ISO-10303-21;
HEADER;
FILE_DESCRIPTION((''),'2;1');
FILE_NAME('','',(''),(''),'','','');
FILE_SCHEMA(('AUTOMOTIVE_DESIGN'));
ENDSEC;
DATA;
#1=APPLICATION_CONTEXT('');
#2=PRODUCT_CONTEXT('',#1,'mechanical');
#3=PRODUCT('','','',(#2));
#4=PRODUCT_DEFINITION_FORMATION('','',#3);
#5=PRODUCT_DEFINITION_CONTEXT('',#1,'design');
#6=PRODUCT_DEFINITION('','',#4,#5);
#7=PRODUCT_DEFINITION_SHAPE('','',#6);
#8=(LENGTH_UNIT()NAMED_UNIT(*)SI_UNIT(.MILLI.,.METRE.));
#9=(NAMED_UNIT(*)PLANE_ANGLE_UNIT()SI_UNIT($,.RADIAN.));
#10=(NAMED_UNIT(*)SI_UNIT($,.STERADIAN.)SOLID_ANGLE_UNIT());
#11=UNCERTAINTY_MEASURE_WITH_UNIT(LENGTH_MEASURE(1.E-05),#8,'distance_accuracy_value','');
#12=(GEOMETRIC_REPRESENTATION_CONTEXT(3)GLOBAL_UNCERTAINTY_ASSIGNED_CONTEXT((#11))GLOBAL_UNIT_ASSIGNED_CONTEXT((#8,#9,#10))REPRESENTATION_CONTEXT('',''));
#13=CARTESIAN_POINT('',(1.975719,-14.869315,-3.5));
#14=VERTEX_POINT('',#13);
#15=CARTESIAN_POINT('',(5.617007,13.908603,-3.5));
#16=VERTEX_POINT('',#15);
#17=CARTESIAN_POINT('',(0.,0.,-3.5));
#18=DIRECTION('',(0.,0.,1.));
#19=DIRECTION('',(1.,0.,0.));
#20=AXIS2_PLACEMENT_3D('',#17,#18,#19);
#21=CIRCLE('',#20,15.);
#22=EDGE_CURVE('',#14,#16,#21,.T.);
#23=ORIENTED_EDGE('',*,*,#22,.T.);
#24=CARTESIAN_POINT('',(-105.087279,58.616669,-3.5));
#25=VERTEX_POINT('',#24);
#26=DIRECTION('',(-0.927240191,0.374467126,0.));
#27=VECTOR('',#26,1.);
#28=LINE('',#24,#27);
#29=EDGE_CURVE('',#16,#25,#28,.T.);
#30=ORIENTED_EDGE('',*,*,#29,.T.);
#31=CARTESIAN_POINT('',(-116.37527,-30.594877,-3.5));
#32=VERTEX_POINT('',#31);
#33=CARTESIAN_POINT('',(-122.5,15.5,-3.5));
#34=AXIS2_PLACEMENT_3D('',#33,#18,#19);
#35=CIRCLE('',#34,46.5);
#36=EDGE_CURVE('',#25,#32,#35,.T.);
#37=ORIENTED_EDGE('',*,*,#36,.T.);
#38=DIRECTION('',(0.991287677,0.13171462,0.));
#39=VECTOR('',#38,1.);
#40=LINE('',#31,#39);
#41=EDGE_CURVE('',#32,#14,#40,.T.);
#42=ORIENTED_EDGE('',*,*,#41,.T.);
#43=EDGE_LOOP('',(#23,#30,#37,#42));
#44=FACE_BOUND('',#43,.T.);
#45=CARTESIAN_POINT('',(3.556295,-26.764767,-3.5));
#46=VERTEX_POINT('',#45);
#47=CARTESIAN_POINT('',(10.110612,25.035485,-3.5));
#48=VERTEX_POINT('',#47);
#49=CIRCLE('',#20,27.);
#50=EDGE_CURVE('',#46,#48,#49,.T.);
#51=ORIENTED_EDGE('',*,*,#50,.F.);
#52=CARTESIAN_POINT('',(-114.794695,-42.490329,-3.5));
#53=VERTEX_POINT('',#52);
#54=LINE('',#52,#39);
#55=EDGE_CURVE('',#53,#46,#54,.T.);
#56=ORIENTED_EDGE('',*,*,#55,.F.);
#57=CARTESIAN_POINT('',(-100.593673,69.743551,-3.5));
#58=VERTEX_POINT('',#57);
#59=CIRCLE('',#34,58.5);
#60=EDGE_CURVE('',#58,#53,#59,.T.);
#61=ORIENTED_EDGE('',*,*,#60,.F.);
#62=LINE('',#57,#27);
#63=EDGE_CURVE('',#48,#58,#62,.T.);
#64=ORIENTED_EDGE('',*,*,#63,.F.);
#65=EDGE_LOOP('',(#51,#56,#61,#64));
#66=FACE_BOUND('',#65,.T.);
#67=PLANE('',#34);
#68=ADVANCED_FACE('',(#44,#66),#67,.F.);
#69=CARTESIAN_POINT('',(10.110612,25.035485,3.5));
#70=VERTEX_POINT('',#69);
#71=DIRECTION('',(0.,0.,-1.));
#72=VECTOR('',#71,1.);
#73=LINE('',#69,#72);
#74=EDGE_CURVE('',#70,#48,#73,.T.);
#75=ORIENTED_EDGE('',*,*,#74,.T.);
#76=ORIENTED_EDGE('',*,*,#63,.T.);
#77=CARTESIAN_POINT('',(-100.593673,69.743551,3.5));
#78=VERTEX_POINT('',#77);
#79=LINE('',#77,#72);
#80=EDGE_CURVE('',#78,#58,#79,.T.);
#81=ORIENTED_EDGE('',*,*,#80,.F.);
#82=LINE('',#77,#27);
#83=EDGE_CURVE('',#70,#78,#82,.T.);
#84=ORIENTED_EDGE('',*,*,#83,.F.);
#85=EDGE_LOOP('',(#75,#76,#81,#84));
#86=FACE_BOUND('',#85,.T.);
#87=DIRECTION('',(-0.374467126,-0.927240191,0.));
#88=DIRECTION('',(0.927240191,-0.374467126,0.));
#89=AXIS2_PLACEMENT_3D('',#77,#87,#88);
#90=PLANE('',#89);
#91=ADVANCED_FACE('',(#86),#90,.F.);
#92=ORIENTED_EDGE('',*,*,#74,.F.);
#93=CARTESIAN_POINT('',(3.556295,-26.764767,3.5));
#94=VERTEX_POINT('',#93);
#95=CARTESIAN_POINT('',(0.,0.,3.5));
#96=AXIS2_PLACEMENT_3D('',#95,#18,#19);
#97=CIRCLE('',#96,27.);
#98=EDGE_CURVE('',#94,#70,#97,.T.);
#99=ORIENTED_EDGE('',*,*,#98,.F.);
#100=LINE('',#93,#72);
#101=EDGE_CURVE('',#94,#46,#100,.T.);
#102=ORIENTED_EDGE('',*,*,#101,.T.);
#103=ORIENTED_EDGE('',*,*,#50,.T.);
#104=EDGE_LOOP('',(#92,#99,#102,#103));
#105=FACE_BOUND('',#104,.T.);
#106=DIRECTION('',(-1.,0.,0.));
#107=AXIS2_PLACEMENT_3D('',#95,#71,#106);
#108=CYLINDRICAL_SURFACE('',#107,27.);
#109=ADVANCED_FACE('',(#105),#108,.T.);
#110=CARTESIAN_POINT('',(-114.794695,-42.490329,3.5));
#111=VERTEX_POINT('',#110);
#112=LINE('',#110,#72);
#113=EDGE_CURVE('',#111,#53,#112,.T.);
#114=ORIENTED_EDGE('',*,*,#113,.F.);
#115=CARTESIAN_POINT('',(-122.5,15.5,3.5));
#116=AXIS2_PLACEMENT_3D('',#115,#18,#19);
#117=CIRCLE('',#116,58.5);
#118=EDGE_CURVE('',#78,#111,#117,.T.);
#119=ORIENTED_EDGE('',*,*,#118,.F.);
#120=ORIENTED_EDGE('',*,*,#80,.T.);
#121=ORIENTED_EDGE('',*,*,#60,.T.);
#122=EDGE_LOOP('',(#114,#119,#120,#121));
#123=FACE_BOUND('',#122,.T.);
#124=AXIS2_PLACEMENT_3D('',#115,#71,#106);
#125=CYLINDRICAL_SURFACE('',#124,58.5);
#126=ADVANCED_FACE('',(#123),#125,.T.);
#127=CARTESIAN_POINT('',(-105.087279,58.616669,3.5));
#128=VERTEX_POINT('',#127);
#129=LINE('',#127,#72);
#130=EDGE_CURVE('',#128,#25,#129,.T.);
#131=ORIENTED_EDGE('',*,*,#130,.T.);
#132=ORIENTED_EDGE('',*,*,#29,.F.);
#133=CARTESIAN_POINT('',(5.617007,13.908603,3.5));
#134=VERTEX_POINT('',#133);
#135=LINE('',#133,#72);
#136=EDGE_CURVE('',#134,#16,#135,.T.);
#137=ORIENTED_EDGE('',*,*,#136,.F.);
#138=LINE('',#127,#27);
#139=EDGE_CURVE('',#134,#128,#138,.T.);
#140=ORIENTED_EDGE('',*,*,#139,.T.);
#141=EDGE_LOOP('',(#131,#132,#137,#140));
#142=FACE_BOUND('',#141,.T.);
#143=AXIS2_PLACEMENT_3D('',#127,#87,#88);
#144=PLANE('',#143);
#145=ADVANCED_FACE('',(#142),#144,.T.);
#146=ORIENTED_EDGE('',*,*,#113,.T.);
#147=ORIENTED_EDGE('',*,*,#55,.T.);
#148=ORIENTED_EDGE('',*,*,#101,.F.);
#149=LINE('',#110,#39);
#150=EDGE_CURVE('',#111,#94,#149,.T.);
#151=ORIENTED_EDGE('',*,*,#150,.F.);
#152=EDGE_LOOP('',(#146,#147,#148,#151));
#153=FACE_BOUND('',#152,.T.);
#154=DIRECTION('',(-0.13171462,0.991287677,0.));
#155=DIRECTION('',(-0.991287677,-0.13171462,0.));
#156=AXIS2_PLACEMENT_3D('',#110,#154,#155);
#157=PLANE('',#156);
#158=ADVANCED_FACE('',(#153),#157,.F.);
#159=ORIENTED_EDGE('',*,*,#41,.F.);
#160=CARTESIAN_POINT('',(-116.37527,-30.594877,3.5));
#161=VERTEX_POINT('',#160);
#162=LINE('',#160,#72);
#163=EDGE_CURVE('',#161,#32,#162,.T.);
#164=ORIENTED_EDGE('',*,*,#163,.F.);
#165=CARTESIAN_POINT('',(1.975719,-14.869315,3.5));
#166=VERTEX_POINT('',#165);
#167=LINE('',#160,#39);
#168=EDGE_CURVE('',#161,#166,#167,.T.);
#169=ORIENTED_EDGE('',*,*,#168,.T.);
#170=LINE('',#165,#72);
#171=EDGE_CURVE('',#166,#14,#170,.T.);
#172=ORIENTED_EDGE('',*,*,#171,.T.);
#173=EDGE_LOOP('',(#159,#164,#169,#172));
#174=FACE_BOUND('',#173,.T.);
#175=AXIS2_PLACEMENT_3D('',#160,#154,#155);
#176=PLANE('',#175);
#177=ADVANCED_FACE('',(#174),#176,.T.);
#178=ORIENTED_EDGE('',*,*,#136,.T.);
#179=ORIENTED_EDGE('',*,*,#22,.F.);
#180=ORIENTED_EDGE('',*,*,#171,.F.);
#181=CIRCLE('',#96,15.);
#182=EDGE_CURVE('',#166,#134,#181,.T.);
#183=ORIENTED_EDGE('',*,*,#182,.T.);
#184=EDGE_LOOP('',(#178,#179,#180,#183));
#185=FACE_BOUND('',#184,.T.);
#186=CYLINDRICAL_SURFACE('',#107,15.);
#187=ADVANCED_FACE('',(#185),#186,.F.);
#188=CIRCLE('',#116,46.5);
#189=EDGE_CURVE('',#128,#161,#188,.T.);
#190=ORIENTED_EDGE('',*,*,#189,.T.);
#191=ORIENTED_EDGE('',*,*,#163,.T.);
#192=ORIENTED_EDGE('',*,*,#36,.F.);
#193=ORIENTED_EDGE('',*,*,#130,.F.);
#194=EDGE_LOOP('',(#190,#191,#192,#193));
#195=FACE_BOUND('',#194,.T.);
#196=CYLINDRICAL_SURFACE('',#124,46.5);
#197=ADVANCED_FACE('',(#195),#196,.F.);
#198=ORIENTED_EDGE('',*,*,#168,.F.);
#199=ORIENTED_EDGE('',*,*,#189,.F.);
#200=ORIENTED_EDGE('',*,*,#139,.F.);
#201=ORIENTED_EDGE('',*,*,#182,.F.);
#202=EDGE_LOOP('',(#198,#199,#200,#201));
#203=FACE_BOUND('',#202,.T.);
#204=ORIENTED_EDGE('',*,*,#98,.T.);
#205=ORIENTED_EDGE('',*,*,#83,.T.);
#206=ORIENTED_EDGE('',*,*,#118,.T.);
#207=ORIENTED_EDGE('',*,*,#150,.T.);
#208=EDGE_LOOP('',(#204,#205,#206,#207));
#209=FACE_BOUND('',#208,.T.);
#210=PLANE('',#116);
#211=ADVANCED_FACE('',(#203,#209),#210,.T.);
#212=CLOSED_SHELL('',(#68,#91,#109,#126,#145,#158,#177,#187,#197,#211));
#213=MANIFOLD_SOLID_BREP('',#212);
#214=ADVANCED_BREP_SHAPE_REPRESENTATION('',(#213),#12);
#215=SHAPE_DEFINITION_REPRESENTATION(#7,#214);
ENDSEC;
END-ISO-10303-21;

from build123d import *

# Parameters (mm, degrees)
BOSS_EXTRUDE1_DEPTH = 3.5


with BuildPart() as part:
    # Sketch1 → Boss-Extrude1 (new body, symmetric)
    with BuildSketch(Plane.XY):
        with BuildLine():
            Line((-100.593673118, 69.743551161), (10.110612407, 25.035485151))
            ThreePointArc((10.110612407, 25.035485151), (26.786426149, -3.389302901), (3.556294752, -26.764767282))
            Line((3.556294752, -26.764767282), (-114.794694704, -42.49032911))
            ThreePointArc((-114.794694704, -42.49032911), (-180.537256657, 22.843489618), (-100.593673118, 69.743551161))
        make_face()
        with BuildLine():
            Line((-105.087278633, 58.616668872), (5.617006893, 13.908602862))
            ThreePointArc((5.617006893, 13.908602862), (14.881347861, -1.882946056), (1.975719307, -14.869315156))
            Line((1.975719307, -14.869315156), (-116.375270149, -30.594876985))
            ThreePointArc((-116.375270149, -30.594876985), (-168.632178368, 21.337132773), (-105.087278633, 58.616668872))
        make_face(mode=Mode.SUBTRACT)
    extrude(amount=BOSS_EXTRUDE1_DEPTH, both=True)


solid = part.part
